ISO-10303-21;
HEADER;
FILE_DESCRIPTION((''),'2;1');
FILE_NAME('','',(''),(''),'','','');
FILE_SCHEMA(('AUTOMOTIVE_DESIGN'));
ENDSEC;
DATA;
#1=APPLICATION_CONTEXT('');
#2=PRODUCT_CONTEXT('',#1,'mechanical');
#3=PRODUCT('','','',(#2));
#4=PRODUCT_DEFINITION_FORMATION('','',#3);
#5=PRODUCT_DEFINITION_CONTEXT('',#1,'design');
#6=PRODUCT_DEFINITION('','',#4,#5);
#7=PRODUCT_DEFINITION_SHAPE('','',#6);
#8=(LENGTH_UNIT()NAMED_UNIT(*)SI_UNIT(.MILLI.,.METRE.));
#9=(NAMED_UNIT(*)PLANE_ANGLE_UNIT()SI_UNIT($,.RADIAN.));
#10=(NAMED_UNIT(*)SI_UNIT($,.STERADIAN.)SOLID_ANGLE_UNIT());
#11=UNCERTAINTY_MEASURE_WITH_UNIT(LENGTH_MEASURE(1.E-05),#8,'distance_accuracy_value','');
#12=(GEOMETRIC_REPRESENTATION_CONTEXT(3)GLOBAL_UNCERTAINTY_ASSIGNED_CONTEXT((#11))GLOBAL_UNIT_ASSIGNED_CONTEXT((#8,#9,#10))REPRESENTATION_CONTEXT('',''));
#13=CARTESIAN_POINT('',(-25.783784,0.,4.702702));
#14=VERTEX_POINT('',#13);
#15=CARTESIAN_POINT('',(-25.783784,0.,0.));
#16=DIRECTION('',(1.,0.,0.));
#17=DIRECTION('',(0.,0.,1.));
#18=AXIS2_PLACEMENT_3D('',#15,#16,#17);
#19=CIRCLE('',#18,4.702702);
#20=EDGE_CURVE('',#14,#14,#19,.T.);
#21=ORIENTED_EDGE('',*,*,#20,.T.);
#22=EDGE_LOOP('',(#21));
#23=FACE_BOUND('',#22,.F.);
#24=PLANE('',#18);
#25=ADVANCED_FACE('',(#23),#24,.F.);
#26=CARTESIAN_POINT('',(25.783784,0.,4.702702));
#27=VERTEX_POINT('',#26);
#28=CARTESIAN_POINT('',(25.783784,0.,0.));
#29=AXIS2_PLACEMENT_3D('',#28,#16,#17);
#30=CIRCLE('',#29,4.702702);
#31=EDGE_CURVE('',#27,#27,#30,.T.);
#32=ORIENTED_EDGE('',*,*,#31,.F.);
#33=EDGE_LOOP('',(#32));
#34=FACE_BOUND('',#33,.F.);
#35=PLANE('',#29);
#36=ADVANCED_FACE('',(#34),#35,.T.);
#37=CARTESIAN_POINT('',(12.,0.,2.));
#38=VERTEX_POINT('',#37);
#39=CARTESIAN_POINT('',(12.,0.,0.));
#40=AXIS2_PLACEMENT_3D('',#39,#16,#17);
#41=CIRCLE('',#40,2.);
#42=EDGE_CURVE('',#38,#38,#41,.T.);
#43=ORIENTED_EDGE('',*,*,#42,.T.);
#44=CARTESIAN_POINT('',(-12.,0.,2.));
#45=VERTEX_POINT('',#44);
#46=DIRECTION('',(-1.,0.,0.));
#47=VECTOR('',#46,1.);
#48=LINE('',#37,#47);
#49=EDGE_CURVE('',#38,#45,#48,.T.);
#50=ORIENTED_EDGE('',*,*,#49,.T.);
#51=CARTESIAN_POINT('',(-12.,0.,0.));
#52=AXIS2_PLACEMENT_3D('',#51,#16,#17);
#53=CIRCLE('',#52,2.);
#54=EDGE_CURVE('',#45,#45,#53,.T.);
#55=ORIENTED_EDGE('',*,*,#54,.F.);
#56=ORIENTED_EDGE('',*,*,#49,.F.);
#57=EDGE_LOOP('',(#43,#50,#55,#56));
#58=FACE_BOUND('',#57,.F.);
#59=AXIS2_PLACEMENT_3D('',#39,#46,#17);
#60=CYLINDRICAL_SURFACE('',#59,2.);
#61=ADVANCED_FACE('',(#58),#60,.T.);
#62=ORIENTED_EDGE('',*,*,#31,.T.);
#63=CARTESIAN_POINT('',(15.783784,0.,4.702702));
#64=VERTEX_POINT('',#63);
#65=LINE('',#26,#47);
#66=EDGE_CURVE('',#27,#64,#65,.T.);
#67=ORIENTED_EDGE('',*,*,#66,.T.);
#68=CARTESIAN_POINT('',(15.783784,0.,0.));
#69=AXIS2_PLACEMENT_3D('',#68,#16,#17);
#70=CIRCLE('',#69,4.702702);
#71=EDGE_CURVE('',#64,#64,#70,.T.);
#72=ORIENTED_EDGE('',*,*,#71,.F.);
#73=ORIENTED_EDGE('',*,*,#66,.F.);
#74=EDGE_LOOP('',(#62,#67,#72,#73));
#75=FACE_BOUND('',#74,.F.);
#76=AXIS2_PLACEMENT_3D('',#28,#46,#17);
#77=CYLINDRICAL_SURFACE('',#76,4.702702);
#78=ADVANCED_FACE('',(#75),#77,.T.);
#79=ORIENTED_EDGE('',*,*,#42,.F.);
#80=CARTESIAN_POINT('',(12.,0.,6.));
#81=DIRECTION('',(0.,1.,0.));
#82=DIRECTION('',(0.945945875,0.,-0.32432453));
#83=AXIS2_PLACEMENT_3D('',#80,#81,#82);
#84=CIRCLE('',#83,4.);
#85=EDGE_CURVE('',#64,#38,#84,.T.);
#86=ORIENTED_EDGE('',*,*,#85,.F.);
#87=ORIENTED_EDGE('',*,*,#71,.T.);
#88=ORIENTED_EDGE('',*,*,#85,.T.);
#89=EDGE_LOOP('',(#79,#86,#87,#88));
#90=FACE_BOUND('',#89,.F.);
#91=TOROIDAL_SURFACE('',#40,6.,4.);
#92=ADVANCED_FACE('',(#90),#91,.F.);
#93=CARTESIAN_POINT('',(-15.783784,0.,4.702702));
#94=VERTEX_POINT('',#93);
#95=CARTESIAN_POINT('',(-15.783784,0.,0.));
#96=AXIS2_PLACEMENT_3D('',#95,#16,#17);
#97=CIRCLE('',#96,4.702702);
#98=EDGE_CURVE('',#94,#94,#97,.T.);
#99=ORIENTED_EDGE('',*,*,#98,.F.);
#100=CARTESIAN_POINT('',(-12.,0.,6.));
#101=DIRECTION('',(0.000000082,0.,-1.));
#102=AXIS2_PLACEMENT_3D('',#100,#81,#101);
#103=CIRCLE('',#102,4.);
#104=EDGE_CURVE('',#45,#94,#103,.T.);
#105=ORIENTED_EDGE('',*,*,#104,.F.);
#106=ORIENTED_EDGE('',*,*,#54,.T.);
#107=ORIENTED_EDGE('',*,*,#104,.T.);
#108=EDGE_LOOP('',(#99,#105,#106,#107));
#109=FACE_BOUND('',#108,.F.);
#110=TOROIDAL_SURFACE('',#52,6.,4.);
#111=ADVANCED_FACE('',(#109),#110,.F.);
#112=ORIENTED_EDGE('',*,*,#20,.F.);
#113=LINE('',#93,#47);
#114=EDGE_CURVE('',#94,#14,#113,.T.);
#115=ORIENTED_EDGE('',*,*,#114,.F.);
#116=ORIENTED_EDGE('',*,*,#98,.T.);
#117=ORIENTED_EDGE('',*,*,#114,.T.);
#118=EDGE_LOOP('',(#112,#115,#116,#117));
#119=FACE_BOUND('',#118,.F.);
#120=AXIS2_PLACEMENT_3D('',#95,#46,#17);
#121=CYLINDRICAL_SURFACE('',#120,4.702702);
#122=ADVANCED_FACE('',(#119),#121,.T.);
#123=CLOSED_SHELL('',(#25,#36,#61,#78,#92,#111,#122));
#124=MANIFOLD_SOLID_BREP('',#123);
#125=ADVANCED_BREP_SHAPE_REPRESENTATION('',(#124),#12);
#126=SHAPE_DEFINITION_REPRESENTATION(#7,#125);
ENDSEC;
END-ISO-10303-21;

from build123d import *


with BuildPart() as f1:
    # F0 (on Front) → F1 (revolve)
    with BuildSketch(Plane.XZ):
        with BuildLine():
            Line((-25.783784, 0), (0, 0))
            Line((0, 0), (0, 2))
            Line((0, 2), (-12, 2))
            ThreePointArc((-12, 2), (-14.324953, 2.745066), (-15.783784, 4.702702))
            Line((-15.783784, 4.702702), (-25.783784, 4.702702))
            Line((-25.783784, 4.702702), (-25.783784, 0))
        make_face()
        with BuildLine():
            Line((0, 2), (0, 0))
            Line((0, 0), (25.783784, 0))
            Line((25.783784, 0), (25.783784, 4.702702))
            Line((25.783784, 4.702702), (15.783784, 4.702702))
            ThreePointArc((15.783784, 4.702702), (14.324953, 2.745066), (12, 2))
            Line((12, 2), (0, 2))
        make_face()
    revolve(axis=Axis((0, 0, 0), (1, 0, 0)))


solid = f1.part
